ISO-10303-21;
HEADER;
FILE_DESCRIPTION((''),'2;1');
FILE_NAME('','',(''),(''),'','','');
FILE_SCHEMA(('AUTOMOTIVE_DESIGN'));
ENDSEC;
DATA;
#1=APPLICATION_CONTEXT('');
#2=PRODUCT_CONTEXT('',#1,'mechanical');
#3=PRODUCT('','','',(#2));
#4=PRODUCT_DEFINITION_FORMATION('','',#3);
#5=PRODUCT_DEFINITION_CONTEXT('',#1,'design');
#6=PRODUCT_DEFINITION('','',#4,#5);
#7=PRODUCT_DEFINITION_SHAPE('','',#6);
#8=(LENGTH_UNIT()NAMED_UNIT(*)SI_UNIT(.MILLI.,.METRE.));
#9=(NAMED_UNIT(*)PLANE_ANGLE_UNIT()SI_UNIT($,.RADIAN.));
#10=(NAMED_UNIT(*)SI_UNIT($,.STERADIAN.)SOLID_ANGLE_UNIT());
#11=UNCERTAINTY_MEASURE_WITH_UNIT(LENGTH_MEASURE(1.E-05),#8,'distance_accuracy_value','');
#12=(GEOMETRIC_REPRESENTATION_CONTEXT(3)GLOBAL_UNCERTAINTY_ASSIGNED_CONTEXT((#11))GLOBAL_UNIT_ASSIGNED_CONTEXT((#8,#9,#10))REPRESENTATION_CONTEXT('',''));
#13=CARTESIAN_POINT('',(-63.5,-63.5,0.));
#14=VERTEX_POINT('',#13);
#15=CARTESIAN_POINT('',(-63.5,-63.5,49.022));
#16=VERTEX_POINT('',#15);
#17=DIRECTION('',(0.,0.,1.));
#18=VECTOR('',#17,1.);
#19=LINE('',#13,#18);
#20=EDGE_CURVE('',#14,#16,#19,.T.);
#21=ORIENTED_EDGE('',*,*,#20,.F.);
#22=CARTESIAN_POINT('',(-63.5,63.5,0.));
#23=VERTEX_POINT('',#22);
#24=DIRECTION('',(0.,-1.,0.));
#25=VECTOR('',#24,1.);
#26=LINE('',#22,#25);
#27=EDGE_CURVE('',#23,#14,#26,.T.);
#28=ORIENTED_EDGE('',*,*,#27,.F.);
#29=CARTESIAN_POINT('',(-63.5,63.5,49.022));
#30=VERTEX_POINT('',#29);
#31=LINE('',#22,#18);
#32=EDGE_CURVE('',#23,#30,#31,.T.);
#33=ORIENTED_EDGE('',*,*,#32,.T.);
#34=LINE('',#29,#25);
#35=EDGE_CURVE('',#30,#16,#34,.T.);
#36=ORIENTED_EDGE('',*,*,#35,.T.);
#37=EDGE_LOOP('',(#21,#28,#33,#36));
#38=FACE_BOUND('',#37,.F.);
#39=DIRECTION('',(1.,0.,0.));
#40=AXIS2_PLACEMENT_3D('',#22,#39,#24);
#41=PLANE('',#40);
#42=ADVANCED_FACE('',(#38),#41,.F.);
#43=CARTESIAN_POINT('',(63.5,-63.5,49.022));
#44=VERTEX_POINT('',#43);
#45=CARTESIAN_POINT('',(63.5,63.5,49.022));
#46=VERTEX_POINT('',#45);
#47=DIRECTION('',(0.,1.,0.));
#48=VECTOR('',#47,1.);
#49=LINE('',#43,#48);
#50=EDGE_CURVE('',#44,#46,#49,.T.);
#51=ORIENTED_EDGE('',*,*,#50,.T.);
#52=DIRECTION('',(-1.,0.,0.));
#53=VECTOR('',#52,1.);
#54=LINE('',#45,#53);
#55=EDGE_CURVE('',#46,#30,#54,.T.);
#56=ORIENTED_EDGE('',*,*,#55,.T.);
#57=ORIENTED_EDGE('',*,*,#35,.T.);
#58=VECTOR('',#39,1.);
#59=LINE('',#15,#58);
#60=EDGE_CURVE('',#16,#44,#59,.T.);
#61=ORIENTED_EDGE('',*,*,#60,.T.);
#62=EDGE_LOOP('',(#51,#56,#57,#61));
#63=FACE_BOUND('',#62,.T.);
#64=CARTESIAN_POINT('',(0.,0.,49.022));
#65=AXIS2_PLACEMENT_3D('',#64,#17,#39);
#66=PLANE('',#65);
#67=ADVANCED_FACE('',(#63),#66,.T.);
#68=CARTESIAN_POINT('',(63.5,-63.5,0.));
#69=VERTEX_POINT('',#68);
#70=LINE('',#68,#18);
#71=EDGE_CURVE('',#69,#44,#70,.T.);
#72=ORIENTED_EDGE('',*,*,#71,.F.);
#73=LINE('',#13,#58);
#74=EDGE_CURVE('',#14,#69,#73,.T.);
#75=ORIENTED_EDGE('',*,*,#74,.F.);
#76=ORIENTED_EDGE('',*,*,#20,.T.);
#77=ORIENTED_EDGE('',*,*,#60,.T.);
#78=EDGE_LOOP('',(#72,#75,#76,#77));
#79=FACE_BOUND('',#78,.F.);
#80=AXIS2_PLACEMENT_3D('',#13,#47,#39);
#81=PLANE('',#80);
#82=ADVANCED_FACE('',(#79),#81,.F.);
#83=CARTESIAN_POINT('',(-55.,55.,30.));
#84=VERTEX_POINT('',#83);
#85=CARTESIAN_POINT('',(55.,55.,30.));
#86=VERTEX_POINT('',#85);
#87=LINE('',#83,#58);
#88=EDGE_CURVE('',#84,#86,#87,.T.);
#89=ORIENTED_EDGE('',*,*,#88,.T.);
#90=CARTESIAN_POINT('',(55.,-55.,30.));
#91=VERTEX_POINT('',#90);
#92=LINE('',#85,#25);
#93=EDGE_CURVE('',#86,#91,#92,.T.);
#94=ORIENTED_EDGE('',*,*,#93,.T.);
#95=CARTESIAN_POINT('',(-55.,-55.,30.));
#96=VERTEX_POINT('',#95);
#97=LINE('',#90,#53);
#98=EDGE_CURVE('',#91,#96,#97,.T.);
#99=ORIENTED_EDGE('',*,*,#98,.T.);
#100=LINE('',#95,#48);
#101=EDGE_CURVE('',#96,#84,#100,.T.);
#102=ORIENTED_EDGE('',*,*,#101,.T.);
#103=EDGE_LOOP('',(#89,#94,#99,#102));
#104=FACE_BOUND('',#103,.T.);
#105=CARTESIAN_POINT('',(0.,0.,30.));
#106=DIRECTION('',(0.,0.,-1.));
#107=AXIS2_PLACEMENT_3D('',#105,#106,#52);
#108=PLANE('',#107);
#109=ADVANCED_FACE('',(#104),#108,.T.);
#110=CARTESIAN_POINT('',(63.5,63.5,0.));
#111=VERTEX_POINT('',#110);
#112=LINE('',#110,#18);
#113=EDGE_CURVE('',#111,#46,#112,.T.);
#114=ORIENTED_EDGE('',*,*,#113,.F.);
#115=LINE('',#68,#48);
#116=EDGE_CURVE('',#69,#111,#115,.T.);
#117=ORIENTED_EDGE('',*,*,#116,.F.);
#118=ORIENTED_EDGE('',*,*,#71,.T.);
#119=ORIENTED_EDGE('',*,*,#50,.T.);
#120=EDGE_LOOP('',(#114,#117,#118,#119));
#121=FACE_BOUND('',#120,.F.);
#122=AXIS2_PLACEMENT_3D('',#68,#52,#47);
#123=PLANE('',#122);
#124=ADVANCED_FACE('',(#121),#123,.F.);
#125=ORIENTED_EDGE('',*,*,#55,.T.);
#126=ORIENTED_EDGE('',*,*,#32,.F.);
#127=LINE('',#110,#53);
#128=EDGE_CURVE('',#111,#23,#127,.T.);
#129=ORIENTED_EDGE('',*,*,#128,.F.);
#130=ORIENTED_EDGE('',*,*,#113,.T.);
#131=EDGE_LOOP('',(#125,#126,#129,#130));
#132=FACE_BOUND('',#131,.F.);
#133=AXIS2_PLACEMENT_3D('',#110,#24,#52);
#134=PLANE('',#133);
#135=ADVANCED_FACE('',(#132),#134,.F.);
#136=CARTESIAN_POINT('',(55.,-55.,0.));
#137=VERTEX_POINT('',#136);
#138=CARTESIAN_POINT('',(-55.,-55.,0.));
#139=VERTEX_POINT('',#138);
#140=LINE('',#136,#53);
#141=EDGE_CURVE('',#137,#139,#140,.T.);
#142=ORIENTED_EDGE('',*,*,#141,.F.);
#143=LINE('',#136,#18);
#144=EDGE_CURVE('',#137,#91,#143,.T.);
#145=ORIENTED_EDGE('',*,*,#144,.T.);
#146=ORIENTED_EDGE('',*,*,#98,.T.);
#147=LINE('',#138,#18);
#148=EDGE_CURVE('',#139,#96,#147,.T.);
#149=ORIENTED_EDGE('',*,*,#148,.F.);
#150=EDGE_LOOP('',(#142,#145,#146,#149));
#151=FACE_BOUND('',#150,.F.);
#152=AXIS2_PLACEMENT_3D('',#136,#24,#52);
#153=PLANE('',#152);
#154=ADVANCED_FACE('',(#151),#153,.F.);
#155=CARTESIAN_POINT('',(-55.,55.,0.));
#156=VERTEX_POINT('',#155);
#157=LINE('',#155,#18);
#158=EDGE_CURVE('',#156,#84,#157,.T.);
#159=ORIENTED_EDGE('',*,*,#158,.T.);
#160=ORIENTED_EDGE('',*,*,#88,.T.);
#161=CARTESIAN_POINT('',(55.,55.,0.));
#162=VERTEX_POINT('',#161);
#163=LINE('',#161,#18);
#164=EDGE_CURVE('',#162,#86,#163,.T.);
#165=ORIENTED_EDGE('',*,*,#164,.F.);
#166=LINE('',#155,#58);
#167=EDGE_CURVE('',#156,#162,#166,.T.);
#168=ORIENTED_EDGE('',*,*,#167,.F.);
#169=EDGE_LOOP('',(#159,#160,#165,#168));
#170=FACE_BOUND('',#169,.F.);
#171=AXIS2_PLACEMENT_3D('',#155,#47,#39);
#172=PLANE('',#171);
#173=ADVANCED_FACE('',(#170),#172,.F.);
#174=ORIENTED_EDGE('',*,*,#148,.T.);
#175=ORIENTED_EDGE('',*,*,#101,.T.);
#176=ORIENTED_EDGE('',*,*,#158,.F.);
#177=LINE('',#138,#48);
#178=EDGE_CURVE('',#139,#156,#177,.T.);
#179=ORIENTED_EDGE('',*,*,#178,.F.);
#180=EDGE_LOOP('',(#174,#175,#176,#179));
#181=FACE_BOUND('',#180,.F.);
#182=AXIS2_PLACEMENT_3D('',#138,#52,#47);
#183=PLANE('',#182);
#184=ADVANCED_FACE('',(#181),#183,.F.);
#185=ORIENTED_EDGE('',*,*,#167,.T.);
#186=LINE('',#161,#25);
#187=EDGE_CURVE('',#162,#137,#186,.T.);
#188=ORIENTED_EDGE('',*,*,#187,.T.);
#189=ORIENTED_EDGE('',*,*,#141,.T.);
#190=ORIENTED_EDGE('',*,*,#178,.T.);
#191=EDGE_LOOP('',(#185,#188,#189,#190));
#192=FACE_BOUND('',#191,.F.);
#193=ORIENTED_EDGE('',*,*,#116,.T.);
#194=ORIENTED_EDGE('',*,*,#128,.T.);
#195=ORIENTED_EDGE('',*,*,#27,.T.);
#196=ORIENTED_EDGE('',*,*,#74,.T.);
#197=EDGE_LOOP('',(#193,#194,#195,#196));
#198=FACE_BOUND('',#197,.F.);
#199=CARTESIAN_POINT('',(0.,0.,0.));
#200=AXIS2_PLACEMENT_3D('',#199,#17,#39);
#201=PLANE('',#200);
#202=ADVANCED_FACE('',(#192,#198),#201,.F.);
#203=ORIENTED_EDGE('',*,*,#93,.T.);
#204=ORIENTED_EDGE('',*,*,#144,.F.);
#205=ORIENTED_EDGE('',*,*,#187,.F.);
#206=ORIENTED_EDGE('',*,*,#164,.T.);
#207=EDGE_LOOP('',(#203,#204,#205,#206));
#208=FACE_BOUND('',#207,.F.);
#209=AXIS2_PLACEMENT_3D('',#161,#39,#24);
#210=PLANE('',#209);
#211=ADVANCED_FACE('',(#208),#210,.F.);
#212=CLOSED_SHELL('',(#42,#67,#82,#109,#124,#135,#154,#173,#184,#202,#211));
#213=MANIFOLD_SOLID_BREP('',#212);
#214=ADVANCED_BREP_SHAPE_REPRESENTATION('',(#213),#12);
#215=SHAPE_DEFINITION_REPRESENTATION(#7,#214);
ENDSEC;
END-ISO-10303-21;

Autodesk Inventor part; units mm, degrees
ref_plane "YZ Plane" through (0, 0, 0) normal (1, 0, 0) x (0, 1, 0)
ref_plane "XZ Plane" through (0, 0, 0) normal (0, 1, 0) x (-1, 0, 0)
ref_plane "XY Plane" through (0, 0, 0) normal (0, 0, 1) x (1, 0, 0)
sketch "Sketch1" plane through (0, 0, 0) normal (0, 0, 1) x (1, 0, 0)
  line L0 (-63.5, -63.5) -> (63.5, -63.5)
  line L1 (63.5, -63.5) -> (63.5, 63.5)
  line L2 (63.5, 63.5) -> (-63.5, 63.5)
  line L3 (-63.5, 63.5) -> (-63.5, -63.5)
  line L4 (-63.5, -63.5) -> (63.5, 63.5) construction
  line L5 (63.5, -63.5) -> (-63.5, 63.5) construction
  point P0 (0, 0)
  dimension "d0" = 127
  dimension "d1" = 127
extrude "Extrusion1" add sketch "Sketch1" along normal blind 49.022
sketch "Sketch2" plane through (0, 0, 0) normal (0, 0, -1) x (-1, 0, 0)
  line L0 (-55, -55) -> (55, -55)
  line L1 (55, -55) -> (55, 55)
  line L2 (55, 55) -> (-55, 55)
  line L3 (-55, 55) -> (-55, -55)
  line L4 (-55, -55) -> (55, 55) construction
  line L5 (55, -55) -> (-55, 55) construction
  point P0 (0, 0)
  dimension "d4" = 110
  dimension "d5" = 110
extrude "Extrusion2" cut sketch "Sketch2" against normal blind 30
equation "\"d0\" = width"
equation "\"d1\" = height"
equation "\"d2\" = aerogelHolderDepth"
equation "\"d4\" = aerogelWidth"
equation "\"d5\" = aerogelHeight"
equation "\"d6\" = aerogelThickness"
equation "\"plasticThickness\" = 6.35"
equation "\"aerogelThickness\" = 30"
equation "\"aerogelWidth\" = 110"
equation "\"aerogelHeight\" = 110"
equation "\"aerogelHolderDepth\" = 49.022"
equation "\"height\" = 127"
equation "\"width\" = 127"
equation "\"depth\" = 203.2"
equation "\"mirrorAngle\" = 2.5deg"
equation "\"mirrorThickness\" = 3.175"
equation "\"fresnelThickness\" = 0.254"
equation "\"focalLength\" = 152.4"
equation "\"ior\" = 1.49"
equation "\"centerThickness\" = 1.27"
equation "\"fresnelAngle\" = 90deg"
equation "\"fresnelEffectiveDiameter\" = 152.4"
equation "\"caseThickness\" = 6.35"
equation "\"alignmentGrooveDepth\" = 1.5875"
equation "\"alignmentGrooveClearance\" = 0.1016"
equation "\"frontPanelThickness\" = 1.5875"
equation "\"fresnelGrooveWidth\" = 1.778"
properties part number "aerogelHolder" material "Polyethylene, Low Density"
